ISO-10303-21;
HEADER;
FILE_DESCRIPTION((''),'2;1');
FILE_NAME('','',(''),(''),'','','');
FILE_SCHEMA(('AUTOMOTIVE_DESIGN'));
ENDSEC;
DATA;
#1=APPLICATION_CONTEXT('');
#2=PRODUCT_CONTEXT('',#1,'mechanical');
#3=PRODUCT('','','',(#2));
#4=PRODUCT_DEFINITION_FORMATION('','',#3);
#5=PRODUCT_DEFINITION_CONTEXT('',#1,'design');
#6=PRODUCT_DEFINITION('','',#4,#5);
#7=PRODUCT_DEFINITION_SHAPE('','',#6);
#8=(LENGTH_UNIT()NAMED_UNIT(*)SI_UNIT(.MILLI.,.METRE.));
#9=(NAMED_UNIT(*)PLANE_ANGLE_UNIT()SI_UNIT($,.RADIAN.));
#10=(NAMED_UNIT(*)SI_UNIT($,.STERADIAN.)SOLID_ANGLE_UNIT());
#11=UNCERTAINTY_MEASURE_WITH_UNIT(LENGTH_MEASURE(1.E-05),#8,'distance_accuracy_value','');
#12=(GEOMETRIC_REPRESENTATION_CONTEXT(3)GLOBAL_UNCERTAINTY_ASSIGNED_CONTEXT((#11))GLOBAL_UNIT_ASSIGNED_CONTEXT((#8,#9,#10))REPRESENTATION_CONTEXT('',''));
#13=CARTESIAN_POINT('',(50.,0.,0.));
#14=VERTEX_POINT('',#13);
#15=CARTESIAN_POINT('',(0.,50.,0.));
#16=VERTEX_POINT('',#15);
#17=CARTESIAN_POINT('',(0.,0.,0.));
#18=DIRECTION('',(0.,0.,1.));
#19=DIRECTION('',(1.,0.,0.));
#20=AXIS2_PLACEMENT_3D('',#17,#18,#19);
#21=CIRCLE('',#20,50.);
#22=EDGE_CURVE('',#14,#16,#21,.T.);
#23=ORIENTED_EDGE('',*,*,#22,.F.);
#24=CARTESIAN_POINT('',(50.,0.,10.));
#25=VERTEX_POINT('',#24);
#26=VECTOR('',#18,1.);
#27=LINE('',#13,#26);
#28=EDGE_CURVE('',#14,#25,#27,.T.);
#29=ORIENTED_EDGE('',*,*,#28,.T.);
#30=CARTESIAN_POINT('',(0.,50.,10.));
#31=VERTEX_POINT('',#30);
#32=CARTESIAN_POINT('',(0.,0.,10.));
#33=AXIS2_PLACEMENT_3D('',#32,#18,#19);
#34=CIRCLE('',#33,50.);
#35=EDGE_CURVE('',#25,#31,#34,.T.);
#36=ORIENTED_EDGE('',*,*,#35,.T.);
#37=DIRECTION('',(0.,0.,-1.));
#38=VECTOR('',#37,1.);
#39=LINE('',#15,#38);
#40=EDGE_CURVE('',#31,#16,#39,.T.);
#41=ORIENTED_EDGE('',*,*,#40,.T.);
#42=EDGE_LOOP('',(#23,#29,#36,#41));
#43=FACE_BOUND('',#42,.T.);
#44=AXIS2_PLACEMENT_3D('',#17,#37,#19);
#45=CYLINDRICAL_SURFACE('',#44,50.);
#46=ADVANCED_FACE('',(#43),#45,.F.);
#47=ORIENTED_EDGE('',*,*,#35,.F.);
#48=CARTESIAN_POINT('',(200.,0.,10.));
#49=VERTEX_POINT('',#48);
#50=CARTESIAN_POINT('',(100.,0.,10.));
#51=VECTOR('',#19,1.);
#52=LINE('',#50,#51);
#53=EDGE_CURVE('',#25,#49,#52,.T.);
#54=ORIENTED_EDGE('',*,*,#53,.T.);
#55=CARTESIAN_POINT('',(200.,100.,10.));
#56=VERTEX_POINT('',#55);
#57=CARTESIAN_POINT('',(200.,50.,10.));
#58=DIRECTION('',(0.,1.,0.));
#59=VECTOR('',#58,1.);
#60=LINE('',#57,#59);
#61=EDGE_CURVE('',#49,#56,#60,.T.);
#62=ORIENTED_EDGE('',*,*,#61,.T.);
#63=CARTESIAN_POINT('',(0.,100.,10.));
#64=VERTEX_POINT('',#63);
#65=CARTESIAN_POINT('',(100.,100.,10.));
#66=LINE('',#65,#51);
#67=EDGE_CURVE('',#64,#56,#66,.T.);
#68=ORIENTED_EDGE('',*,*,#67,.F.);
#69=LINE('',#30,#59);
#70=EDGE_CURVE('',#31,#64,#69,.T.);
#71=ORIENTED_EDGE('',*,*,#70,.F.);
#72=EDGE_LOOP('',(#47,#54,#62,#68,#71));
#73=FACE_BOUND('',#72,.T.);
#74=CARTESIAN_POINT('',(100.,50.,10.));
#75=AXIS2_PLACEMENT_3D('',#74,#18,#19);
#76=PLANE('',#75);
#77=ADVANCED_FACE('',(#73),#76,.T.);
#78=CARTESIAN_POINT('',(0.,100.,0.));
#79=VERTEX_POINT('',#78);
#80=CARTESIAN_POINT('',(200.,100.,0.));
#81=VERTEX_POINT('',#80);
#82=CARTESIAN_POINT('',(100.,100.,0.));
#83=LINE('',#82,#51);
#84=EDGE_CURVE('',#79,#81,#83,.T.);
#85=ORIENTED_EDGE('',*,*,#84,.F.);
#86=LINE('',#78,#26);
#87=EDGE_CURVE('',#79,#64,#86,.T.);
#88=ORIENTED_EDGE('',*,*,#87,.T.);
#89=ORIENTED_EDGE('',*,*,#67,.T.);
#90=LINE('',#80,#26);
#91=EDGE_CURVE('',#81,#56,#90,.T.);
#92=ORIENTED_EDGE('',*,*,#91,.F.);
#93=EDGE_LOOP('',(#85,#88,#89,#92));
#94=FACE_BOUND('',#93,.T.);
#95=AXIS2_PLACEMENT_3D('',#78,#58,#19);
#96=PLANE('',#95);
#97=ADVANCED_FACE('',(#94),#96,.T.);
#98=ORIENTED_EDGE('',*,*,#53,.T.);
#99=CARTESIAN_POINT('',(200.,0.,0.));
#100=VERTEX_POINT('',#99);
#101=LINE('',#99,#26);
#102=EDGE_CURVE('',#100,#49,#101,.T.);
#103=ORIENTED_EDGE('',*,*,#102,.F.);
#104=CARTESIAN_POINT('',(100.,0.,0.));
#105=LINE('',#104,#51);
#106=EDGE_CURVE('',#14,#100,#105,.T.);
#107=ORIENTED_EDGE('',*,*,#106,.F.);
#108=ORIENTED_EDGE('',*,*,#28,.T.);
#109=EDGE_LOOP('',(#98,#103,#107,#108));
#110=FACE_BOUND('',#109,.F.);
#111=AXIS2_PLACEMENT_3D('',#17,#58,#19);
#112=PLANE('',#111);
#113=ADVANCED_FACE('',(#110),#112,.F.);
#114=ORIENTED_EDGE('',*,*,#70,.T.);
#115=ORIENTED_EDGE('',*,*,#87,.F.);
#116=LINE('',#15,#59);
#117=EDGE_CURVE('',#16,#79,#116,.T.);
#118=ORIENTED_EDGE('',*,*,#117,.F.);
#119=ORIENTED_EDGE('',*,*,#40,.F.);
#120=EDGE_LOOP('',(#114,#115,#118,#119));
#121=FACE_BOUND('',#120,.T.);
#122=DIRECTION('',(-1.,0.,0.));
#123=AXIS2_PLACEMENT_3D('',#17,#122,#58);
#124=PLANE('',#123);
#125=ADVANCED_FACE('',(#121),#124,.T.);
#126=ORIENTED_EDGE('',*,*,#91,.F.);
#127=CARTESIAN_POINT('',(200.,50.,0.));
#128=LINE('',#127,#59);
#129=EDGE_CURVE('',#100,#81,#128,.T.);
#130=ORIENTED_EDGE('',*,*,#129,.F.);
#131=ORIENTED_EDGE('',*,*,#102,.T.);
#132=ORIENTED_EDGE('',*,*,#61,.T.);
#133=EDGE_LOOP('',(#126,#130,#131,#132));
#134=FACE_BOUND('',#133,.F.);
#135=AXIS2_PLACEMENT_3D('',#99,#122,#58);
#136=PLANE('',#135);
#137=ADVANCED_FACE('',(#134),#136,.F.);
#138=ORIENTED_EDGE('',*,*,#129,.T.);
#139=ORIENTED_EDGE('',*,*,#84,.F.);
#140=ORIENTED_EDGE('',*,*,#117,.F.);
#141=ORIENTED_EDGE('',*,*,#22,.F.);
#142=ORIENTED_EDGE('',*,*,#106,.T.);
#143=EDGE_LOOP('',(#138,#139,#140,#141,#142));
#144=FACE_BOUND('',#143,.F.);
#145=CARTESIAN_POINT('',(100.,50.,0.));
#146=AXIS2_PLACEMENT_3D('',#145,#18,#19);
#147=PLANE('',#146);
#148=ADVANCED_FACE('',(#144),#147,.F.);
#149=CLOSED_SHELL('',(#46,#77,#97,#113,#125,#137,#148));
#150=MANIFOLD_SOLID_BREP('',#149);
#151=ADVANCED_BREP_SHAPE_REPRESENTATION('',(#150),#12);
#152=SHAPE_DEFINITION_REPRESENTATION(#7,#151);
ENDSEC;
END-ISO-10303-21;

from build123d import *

# Parameters (mm, degrees)
CYLINDER_R     = 50
CYLINDER_DEPTH = 10
BOX_W          = 200
BOX_H          = 100
BOX_DEPTH      = 10


with BuildPart() as cylinder:
    # Cylinder → Cylinder (new body)
    with BuildSketch(Plane.XY):
        Circle(CYLINDER_R)
    extrude(amount=CYLINDER_DEPTH)


with BuildPart() as cut:
    # Box → Box (new body)
    with BuildSketch(Plane.XY):
        with Locations((100, 50)):
            Rectangle(BOX_W, BOX_H)
    extrude(amount=BOX_DEPTH)

    # Cut: cut Cylinder
    add(cylinder.part, mode=Mode.SUBTRACT)


solid = cut.part
